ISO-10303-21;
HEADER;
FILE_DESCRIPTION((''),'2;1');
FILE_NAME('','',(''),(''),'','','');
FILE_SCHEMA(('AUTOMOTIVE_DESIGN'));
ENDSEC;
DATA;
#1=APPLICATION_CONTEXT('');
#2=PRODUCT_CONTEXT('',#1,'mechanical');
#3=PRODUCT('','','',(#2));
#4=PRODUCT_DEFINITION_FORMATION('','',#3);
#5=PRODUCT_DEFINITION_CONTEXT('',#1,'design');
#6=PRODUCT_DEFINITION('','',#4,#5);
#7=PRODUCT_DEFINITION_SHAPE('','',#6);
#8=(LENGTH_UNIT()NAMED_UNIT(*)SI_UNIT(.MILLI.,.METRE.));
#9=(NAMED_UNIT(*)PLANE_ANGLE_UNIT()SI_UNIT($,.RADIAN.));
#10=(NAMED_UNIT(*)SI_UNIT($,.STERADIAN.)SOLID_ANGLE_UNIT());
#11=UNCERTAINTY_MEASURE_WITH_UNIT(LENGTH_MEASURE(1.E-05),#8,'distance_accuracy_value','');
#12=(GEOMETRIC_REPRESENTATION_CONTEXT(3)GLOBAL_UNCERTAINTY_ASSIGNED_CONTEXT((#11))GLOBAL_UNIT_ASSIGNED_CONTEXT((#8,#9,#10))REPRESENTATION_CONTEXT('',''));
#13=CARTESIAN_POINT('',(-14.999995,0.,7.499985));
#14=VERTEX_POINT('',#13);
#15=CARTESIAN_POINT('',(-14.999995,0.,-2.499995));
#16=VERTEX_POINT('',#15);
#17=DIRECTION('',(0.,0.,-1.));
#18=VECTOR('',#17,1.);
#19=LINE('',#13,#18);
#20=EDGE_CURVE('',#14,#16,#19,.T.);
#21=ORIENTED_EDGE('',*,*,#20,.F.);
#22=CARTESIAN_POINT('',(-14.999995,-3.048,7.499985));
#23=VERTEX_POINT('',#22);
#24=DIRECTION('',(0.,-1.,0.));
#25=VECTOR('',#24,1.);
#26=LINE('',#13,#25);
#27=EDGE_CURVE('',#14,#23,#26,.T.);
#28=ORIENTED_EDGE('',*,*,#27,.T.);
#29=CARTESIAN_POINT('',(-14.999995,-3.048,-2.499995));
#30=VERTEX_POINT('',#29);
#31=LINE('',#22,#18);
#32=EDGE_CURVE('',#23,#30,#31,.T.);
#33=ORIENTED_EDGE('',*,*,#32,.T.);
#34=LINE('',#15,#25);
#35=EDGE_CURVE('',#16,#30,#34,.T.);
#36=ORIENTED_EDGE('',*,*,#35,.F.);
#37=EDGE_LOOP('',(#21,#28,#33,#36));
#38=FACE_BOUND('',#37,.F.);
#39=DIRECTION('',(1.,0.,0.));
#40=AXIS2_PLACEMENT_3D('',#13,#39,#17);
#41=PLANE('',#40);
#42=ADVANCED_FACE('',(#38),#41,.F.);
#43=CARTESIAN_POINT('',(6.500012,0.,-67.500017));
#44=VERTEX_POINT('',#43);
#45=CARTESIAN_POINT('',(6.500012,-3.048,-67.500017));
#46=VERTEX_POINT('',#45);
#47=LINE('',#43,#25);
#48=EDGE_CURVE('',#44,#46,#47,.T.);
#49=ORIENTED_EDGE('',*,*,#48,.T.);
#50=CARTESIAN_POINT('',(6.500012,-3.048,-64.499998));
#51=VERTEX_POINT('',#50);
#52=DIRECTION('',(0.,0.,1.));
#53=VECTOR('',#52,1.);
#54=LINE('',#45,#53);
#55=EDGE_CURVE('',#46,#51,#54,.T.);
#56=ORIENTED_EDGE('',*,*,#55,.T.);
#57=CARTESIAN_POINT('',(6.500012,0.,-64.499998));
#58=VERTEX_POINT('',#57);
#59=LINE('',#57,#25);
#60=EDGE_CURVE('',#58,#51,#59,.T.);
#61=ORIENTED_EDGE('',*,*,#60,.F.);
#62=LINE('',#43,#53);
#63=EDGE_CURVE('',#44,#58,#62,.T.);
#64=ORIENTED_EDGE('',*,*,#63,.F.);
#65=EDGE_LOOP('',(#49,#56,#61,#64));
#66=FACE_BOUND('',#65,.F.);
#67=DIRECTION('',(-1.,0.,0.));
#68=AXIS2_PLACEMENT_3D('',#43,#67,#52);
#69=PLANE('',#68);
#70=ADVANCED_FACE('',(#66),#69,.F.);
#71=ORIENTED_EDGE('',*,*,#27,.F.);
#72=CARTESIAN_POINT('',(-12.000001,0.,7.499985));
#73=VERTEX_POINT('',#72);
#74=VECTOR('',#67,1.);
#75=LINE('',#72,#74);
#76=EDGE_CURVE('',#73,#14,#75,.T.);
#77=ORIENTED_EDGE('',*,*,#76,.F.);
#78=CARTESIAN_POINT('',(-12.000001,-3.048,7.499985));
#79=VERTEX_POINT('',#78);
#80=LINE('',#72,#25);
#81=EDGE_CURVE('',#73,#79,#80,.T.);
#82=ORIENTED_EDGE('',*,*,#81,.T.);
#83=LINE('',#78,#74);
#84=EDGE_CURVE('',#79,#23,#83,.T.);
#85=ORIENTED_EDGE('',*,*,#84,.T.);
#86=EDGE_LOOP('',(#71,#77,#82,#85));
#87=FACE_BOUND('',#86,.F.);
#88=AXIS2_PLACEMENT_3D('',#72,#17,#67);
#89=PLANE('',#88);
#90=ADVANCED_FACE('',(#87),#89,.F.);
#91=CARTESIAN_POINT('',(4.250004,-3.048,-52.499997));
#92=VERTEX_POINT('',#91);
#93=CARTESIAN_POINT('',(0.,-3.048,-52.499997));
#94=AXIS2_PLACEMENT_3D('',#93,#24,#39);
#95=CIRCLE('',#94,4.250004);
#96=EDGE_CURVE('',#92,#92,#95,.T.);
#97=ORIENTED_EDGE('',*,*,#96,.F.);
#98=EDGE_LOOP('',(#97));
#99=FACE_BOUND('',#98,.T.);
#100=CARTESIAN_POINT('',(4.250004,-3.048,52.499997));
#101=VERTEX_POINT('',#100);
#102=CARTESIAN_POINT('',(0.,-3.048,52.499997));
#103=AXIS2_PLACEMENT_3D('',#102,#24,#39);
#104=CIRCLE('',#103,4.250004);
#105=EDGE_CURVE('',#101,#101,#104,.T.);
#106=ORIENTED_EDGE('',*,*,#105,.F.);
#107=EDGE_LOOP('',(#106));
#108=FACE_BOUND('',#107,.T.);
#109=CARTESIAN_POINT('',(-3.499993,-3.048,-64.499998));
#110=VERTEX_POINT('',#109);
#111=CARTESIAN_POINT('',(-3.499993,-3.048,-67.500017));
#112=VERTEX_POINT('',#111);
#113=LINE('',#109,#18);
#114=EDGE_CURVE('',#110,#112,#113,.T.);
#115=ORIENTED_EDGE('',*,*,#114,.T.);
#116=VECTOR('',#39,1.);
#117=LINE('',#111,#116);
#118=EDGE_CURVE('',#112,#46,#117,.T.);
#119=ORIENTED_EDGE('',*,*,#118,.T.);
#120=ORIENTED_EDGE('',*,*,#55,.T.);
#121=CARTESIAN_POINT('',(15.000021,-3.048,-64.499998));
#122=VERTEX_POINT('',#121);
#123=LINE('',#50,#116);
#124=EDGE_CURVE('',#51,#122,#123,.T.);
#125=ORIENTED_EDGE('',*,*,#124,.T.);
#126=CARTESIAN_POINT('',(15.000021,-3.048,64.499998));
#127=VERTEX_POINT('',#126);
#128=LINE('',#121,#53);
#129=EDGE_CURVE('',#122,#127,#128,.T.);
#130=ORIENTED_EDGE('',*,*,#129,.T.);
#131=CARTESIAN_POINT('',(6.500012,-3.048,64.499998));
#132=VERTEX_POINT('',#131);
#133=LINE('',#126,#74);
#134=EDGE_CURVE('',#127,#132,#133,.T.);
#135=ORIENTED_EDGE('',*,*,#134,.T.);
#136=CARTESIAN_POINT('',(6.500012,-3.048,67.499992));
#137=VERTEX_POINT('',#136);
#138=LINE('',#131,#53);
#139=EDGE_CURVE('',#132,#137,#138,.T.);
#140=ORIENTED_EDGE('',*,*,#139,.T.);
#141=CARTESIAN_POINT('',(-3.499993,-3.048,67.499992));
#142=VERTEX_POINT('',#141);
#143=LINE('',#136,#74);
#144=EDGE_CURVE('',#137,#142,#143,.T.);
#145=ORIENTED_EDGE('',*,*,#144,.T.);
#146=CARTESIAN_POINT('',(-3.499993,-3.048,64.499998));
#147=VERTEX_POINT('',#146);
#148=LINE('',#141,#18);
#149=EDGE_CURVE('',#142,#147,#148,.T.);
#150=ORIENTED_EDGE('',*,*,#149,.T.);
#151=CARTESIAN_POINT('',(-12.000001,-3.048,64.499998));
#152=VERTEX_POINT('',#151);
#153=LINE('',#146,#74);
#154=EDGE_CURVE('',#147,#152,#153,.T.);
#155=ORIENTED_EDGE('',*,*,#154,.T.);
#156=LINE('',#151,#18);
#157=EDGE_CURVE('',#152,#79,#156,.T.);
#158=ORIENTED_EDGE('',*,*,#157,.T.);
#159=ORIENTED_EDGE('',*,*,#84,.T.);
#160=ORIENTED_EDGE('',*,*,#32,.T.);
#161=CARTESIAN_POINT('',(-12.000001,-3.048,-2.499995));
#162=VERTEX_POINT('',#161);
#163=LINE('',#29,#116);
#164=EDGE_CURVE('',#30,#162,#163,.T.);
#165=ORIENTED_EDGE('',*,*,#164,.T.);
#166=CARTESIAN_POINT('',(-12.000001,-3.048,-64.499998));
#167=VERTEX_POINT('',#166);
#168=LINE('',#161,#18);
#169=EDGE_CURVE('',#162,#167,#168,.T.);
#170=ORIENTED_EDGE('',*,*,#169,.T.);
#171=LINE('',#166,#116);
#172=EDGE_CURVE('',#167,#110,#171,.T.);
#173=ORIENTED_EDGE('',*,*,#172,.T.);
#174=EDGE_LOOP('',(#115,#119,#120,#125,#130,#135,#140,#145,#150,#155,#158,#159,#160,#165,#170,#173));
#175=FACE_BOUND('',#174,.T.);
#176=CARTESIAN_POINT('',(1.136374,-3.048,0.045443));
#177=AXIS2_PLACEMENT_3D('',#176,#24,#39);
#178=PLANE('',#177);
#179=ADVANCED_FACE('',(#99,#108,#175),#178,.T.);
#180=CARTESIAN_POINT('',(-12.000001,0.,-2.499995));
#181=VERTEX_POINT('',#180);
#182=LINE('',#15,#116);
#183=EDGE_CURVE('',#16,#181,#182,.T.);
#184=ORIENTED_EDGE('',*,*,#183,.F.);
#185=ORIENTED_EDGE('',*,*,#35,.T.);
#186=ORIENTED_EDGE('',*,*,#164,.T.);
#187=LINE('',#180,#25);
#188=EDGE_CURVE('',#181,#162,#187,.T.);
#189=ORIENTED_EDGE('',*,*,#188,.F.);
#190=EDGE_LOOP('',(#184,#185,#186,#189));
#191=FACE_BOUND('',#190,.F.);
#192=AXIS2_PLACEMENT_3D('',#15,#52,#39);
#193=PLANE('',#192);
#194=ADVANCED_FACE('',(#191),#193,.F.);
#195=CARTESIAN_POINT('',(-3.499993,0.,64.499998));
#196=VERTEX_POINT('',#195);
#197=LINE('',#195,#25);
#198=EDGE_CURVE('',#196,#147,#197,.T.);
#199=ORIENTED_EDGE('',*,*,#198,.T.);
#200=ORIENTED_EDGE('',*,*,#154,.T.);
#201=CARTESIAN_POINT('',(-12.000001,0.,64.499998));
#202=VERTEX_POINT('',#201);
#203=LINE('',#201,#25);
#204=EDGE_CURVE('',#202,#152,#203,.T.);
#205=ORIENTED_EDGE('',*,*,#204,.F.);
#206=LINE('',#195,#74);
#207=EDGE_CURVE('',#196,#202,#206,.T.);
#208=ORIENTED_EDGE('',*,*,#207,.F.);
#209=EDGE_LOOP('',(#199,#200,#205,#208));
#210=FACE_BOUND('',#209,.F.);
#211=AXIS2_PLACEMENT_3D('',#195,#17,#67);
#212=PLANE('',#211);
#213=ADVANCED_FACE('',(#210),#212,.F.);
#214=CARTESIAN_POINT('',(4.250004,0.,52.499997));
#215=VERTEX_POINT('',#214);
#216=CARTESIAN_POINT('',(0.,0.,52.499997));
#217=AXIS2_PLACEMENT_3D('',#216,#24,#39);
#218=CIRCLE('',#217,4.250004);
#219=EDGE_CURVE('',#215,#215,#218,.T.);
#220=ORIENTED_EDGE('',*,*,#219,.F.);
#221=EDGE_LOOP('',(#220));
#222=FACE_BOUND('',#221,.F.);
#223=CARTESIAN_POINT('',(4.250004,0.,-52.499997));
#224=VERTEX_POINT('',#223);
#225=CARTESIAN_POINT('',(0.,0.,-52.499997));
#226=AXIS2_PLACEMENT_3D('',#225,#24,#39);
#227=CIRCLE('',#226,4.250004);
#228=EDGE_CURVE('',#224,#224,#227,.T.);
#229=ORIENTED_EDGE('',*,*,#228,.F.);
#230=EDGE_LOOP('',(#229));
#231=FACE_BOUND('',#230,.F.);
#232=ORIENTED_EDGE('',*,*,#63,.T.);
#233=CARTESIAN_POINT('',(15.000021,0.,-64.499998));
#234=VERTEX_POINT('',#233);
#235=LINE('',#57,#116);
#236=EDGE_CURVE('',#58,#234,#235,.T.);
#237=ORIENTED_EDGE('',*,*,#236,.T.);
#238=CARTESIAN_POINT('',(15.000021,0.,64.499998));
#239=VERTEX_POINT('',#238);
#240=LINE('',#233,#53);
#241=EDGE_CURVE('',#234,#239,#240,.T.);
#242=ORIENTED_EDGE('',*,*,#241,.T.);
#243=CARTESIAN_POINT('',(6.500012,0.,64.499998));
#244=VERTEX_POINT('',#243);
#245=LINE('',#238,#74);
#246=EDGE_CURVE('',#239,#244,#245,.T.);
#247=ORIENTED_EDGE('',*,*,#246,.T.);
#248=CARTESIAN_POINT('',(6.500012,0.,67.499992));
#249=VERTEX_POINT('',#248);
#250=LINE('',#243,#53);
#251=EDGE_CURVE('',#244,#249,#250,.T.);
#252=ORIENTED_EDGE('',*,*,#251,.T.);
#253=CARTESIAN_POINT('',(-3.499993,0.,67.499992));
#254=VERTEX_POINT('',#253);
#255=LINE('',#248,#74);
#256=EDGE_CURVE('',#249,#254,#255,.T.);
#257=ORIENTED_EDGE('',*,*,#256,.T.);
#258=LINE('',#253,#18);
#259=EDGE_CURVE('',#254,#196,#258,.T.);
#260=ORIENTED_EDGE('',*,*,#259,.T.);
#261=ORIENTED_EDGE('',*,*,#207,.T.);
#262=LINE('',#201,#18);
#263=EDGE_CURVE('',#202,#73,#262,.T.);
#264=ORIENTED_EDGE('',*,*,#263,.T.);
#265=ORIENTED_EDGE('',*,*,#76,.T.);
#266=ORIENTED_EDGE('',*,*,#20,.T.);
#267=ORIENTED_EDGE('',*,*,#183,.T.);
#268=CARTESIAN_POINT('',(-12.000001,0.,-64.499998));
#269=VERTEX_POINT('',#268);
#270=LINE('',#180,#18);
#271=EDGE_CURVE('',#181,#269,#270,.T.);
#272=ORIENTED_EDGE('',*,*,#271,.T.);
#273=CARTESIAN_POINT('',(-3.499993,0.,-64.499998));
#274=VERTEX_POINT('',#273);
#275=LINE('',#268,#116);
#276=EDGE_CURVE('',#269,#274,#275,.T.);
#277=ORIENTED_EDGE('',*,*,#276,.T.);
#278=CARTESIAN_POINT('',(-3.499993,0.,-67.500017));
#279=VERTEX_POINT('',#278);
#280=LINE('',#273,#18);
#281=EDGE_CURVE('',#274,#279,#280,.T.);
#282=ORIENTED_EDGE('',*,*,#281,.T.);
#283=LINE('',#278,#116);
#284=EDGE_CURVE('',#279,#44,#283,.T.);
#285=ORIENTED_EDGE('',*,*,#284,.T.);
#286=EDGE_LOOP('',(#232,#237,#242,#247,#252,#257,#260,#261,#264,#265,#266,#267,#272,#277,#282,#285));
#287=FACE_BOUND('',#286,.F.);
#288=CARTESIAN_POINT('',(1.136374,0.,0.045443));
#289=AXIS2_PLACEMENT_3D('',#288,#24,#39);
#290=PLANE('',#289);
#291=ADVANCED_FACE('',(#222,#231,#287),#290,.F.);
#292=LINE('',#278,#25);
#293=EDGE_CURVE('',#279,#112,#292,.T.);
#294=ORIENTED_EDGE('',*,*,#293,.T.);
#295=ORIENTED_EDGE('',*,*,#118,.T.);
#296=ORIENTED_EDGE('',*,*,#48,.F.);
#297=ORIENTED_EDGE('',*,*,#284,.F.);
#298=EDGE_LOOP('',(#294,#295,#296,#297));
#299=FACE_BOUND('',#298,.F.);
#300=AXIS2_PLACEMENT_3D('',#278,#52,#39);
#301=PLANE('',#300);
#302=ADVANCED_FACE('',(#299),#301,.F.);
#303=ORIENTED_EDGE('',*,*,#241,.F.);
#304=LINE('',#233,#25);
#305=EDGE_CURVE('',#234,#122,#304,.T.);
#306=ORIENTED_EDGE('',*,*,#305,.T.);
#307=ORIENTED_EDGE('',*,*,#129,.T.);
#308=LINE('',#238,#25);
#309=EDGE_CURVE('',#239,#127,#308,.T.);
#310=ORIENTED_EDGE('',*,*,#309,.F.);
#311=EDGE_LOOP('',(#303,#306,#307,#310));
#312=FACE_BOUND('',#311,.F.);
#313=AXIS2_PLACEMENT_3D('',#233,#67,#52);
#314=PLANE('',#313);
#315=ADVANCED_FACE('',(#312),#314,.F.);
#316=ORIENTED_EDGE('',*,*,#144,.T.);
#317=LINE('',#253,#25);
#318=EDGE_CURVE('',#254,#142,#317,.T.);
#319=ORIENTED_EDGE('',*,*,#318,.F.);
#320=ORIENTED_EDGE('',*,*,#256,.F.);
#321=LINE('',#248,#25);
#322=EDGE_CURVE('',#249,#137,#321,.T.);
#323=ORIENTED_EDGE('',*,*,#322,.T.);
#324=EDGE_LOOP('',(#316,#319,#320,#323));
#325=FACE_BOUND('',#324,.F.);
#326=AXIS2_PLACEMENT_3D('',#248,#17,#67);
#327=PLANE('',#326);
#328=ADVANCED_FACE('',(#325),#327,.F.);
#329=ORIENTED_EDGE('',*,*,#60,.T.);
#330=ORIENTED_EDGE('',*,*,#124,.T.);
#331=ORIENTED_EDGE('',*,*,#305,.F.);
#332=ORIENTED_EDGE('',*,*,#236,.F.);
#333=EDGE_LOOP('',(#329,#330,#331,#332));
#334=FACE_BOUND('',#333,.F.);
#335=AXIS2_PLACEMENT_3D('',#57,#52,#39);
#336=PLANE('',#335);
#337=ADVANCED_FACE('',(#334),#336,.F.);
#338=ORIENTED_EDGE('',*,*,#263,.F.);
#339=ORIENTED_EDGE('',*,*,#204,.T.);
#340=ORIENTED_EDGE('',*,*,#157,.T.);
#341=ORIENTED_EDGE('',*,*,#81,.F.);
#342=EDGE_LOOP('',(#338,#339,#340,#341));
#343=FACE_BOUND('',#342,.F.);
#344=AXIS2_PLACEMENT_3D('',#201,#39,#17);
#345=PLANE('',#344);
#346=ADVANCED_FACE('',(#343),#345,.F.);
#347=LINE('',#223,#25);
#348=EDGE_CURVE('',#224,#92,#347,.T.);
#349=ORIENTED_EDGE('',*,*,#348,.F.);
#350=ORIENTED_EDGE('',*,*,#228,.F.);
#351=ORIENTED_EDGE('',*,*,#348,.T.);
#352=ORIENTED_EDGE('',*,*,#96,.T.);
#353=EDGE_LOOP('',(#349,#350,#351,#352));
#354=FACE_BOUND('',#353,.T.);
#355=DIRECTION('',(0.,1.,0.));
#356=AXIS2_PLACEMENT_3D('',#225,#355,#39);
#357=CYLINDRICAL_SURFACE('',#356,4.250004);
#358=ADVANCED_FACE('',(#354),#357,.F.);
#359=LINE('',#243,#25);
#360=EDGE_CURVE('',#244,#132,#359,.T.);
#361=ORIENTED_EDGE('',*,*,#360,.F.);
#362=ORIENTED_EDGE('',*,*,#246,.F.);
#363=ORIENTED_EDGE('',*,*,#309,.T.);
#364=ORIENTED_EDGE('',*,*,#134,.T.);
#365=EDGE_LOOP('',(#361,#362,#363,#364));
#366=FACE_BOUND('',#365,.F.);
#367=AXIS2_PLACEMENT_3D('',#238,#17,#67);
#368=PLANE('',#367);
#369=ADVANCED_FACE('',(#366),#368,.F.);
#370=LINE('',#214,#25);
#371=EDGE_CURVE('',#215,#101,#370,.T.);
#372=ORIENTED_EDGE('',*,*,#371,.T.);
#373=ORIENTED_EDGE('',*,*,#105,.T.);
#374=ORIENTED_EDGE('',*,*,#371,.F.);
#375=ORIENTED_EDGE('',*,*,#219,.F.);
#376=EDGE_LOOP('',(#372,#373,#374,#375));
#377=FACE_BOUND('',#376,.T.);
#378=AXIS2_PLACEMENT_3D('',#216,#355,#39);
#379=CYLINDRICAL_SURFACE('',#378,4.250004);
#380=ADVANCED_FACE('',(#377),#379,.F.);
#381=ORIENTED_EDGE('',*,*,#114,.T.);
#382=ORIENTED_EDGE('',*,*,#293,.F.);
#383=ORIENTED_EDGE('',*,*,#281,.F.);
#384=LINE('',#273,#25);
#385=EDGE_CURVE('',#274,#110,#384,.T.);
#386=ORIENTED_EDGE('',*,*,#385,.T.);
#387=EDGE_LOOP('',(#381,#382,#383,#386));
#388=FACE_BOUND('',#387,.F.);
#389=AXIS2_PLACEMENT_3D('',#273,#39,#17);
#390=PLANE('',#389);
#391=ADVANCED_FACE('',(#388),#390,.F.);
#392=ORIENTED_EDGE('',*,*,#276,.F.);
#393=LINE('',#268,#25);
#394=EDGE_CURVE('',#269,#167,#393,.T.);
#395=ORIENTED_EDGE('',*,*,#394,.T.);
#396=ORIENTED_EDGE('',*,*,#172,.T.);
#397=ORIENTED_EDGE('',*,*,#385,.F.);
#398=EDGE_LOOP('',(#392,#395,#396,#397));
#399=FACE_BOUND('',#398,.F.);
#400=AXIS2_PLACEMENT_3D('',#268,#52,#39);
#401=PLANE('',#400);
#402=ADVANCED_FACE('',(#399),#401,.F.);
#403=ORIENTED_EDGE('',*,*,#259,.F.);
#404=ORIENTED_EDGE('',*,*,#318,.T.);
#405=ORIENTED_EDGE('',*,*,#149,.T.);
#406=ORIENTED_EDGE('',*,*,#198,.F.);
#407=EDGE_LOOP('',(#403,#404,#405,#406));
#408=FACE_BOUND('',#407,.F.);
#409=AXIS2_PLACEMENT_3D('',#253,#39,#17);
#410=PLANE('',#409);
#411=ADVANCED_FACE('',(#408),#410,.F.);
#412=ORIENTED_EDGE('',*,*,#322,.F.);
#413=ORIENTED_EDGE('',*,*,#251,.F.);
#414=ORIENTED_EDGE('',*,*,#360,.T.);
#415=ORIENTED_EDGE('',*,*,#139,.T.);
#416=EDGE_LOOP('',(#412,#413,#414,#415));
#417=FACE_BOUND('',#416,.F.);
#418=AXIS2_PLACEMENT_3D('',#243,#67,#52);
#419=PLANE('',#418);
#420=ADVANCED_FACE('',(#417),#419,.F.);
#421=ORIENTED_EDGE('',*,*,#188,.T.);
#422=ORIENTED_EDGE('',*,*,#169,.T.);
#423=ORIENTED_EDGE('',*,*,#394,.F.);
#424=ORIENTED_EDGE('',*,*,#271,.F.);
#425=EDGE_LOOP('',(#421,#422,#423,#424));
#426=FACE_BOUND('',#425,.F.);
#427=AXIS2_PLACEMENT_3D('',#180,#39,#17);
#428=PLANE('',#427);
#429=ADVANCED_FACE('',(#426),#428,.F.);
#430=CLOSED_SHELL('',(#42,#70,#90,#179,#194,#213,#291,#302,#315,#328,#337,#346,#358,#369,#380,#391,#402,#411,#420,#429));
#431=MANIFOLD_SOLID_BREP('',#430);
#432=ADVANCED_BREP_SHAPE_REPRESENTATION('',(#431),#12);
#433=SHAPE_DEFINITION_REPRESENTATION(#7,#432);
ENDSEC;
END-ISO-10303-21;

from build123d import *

# Parameters (mm, degrees)
F0_R     = 4.250004
F1_DEPTH = 3.048


with BuildPart() as f1:
    # F0 (on Front) → F1 (new body)
    with BuildSketch(Plane.XZ):
        Polygon((-12.000001, 64.499998), (-12.000001, 7.499985), (-14.999995, 7.499985), (-14.999995, -2.499995), (-12.000001, -2.499995), (-12.000001, -64.499998), (-3.499993, -64.499998), (-3.499993, -67.500017), (6.500012, -67.500017), (6.500012, -64.499998), (15.000021, -64.499998), (15.000021, 64.499998), (6.500012, 64.499998), (6.500012, 67.499992), (-3.499993, 67.499992), (-3.499993, 64.499998), align=None)
        with Locations((0, -52.499997)):
            Circle(F0_R, mode=Mode.SUBTRACT)
        with Locations((0, 52.499997)):
            Circle(F0_R, mode=Mode.SUBTRACT)
    extrude(amount=F1_DEPTH)


solid = f1.part
